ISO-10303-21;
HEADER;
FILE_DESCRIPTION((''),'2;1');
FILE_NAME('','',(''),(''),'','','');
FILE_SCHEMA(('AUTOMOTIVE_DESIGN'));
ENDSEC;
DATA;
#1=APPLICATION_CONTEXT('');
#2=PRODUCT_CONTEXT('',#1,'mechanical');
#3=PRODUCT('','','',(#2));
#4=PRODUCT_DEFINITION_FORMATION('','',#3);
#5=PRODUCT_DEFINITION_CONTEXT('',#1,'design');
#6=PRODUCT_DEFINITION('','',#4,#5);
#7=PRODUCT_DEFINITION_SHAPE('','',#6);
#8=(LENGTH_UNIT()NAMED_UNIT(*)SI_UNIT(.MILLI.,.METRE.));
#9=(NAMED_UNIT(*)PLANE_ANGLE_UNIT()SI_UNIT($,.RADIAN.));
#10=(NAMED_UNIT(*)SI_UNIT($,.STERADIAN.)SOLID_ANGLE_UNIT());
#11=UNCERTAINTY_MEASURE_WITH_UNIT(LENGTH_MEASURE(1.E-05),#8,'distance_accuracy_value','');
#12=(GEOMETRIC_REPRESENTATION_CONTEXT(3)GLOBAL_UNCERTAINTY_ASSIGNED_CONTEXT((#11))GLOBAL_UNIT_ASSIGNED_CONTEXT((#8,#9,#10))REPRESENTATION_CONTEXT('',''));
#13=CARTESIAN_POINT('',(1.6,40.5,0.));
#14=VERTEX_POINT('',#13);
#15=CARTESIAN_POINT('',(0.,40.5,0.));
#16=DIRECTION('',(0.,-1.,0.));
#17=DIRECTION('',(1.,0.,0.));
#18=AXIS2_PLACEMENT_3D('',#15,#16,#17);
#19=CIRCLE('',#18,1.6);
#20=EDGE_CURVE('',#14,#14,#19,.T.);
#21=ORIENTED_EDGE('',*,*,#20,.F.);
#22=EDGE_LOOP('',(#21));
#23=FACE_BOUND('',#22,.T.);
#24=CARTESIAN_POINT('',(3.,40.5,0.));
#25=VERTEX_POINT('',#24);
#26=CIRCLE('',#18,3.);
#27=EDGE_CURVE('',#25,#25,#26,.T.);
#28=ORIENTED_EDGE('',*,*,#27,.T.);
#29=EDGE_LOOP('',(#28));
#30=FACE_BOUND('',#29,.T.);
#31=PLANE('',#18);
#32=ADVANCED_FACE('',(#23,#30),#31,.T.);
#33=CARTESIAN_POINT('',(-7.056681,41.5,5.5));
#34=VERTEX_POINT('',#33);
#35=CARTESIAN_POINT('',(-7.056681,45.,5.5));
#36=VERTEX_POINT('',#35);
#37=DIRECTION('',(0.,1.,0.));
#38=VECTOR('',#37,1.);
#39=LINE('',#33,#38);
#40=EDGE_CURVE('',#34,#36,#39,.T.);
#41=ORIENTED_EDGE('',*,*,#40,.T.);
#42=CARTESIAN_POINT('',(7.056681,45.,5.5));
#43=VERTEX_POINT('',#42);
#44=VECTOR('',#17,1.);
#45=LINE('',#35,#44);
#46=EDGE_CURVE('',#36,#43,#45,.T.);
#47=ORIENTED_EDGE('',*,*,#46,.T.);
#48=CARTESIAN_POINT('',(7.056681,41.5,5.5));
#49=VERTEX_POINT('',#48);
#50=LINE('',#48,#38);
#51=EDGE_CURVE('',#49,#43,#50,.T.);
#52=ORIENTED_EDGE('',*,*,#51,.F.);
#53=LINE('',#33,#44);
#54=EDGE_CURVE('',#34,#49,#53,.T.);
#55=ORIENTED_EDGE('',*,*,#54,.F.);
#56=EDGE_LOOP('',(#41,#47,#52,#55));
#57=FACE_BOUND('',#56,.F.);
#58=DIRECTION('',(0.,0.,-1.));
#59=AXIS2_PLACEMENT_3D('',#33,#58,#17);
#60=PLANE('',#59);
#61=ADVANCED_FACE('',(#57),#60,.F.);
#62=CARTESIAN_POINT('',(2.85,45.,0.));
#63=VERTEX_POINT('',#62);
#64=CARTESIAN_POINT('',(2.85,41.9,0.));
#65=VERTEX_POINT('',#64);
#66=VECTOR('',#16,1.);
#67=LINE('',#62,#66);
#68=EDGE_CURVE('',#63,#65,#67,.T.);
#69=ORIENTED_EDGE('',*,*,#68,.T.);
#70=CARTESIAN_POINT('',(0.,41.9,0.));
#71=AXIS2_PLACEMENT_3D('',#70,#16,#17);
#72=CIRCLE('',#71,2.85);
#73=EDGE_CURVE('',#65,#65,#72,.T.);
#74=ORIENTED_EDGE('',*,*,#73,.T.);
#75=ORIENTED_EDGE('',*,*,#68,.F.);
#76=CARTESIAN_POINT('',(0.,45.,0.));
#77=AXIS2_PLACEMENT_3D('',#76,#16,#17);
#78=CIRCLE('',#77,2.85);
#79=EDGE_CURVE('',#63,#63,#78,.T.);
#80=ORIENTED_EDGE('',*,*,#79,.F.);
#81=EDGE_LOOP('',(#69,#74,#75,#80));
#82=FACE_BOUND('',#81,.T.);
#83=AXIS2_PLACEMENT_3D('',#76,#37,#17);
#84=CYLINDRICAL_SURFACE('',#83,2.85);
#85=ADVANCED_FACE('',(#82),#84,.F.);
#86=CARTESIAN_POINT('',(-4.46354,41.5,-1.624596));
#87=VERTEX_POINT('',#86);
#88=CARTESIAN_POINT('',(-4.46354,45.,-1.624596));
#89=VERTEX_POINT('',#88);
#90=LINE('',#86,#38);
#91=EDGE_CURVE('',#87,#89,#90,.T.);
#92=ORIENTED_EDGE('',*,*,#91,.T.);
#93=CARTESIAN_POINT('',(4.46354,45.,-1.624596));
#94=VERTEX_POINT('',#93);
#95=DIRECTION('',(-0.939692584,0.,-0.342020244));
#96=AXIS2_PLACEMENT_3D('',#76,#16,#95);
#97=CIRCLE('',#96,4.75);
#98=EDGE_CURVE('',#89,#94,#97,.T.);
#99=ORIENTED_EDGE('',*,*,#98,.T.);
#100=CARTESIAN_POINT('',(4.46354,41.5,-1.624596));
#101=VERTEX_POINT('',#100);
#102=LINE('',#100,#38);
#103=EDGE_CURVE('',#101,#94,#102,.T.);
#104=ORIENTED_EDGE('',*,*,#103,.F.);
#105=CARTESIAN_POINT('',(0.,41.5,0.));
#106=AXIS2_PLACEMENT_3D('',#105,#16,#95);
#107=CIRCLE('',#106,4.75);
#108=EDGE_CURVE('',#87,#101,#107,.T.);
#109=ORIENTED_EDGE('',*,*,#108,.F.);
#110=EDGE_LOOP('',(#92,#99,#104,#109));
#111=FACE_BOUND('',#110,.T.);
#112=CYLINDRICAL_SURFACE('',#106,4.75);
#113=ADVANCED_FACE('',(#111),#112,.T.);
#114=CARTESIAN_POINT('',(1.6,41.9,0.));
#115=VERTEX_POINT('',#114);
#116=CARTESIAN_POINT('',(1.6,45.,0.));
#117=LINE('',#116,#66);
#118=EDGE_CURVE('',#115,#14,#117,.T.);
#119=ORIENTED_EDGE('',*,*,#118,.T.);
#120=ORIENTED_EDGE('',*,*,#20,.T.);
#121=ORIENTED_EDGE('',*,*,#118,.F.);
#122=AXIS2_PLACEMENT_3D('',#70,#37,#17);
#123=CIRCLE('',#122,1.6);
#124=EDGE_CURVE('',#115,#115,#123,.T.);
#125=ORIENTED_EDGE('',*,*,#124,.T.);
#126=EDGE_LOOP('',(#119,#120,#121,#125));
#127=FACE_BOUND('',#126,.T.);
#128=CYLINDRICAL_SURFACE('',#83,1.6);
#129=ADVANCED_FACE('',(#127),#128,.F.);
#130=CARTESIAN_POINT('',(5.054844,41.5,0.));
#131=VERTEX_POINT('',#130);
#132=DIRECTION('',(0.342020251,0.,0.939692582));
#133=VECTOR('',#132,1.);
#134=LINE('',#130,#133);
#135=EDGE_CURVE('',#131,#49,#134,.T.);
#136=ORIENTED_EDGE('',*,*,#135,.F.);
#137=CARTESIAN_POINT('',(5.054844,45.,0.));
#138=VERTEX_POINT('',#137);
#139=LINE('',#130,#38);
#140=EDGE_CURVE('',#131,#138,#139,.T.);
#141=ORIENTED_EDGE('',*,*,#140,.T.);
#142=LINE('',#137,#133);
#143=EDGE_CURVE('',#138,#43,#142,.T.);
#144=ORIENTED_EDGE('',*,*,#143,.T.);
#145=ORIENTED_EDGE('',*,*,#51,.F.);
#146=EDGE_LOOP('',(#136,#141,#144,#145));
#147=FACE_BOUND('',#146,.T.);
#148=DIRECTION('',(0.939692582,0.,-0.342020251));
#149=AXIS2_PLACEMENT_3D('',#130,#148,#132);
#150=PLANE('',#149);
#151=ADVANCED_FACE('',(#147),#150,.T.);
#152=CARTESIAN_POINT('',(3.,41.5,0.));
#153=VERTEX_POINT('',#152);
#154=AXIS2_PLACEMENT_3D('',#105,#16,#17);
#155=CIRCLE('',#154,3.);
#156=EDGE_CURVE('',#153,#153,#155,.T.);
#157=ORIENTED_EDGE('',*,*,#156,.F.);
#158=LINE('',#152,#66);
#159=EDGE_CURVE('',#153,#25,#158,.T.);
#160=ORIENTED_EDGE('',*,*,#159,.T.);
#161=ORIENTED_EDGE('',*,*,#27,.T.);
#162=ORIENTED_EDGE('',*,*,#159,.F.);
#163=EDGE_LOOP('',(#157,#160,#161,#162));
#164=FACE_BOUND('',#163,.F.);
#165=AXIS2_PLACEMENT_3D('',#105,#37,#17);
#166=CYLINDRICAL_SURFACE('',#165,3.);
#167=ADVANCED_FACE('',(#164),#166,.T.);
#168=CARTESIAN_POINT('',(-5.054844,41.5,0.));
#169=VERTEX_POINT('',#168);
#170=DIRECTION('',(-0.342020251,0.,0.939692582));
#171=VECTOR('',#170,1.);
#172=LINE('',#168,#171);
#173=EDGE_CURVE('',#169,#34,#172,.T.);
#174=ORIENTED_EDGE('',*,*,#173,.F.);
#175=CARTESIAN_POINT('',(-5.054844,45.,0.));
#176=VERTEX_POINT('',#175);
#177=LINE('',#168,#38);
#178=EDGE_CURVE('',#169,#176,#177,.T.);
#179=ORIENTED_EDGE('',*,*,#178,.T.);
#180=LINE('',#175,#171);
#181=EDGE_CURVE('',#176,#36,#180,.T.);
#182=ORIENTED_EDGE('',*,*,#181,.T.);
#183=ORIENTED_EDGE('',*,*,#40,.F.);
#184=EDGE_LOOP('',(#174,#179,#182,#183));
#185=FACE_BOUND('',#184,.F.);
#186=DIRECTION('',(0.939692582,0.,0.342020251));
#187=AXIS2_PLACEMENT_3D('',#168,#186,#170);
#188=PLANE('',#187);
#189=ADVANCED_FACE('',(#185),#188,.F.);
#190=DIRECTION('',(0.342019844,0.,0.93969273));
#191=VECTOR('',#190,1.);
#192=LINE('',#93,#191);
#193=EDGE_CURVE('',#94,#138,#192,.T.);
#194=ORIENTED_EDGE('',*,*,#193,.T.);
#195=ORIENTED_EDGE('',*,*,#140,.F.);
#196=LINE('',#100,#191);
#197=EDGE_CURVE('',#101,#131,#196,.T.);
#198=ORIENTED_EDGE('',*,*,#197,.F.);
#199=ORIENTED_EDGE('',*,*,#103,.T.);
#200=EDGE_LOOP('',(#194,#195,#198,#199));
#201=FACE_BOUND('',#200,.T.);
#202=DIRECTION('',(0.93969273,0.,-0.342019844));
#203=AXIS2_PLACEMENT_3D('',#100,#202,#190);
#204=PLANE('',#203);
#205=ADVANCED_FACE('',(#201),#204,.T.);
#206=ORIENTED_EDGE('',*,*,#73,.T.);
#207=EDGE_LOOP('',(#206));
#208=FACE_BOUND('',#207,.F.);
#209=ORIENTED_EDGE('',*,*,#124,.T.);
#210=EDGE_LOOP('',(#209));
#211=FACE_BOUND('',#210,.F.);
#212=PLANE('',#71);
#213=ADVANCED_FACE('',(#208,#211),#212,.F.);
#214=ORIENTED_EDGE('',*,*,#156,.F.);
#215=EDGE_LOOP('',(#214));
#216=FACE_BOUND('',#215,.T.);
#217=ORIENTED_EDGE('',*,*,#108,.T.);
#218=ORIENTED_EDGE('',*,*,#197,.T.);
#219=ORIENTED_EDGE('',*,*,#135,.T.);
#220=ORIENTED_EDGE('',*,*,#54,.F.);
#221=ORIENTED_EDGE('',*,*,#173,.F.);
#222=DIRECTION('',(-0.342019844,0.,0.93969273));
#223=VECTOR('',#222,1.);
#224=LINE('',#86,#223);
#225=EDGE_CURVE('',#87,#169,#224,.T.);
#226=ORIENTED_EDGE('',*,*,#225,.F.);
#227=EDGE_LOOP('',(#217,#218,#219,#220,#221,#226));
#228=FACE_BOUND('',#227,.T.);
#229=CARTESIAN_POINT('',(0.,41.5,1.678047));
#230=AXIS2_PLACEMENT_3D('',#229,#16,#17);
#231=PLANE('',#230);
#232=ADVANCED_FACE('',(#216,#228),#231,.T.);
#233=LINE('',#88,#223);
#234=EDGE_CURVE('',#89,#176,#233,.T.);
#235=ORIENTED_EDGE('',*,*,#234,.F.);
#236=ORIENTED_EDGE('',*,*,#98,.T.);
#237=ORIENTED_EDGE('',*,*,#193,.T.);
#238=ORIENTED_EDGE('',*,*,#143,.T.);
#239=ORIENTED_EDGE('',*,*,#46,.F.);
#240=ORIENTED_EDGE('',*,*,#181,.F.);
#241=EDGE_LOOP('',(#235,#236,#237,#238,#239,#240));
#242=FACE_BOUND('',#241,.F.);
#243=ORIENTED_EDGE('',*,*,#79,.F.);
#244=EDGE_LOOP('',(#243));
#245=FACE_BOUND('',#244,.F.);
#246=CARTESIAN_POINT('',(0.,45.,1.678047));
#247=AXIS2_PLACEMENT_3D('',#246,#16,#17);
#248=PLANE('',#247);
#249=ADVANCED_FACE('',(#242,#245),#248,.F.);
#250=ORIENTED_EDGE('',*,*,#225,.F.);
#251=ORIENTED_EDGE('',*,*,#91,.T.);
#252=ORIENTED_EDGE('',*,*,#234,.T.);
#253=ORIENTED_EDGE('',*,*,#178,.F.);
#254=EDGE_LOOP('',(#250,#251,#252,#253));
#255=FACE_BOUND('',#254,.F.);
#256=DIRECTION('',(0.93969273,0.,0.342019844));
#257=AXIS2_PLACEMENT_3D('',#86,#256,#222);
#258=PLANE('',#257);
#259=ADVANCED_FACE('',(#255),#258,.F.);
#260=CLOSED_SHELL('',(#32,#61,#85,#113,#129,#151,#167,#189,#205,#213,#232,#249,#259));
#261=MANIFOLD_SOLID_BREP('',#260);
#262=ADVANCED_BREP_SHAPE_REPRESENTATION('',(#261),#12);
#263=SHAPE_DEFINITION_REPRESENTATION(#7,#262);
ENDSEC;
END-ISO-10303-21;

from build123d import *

# Parameters (mm, degrees)
CYLINDER011_R     = 2.85
CYLINDER011_DEPTH = 3.1
CYLINDER010_R     = 1.6
CYLINDER010_DEPTH = 4.5
CYLINDER001_R     = 3
CYLINDER001_DEPTH = 1
EXTRUDE001_DEPTH  = 3.5


with BuildPart() as bearingbracket_m3head:
    # Cylinder011 → Cylinder011 (new body)
    with BuildSketch(Plane.XZ):
        Circle(CYLINDER011_R)
    extrude(amount=CYLINDER011_DEPTH)


with BuildPart() as bearingbracket_m3cutout:
    # Cylinder010 → Cylinder010 (new body)
    with BuildSketch(Plane.XZ):
        Circle(CYLINDER010_R)
    extrude(amount=CYLINDER010_DEPTH)

    # Fusion: union bearingBracket_m3Head
    add(bearingbracket_m3head.part)


with BuildPart() as bearingbracket_m3cutout_1:
    # Fusion placement: moved
    add(bearingbracket_m3cutout.part.moved(Location((0, 3.5, 0))))


with BuildPart() as bearingbracket_spacer:
    # Cylinder001 → Cylinder001 (new body)
    with BuildSketch(Plane.XZ):
        Circle(CYLINDER001_R)
    extrude(amount=CYLINDER001_DEPTH)


with BuildPart() as bearingbracket:
    # Sketch001 → Extrude001 (new body)
    with BuildSketch(Plane.XZ):
        with BuildLine():
            ThreePointArc((-4.46354, -1.624596), (0, -4.75), (4.46354, -1.624596))
            Line((4.46354, -1.624596), (5.054844, 0))
            Line((5.054844, 0), (7.056681, 5.5))
            Line((-7.056681, 5.5), (7.056681, 5.5))
            Line((-5.054844, 0), (-7.056681, 5.5))
            Line((-4.46354, -1.624596), (-5.054844, 0))
        make_face()
    extrude(amount=-EXTRUDE001_DEPTH)

    # Fusion001: union bearingBracket_spacer
    add(bearingbracket_spacer.part)

    # Cut011: cut bearingBracket_m3Cutout
    add(bearingbracket_m3cutout_1.part, mode=Mode.SUBTRACT)


with BuildPart() as bearingbracket_1:
    # Cut011 placement: moved
    add(bearingbracket.part.moved(Location((0, 41.5, 0))))


solid = bearingbracket_1.part
